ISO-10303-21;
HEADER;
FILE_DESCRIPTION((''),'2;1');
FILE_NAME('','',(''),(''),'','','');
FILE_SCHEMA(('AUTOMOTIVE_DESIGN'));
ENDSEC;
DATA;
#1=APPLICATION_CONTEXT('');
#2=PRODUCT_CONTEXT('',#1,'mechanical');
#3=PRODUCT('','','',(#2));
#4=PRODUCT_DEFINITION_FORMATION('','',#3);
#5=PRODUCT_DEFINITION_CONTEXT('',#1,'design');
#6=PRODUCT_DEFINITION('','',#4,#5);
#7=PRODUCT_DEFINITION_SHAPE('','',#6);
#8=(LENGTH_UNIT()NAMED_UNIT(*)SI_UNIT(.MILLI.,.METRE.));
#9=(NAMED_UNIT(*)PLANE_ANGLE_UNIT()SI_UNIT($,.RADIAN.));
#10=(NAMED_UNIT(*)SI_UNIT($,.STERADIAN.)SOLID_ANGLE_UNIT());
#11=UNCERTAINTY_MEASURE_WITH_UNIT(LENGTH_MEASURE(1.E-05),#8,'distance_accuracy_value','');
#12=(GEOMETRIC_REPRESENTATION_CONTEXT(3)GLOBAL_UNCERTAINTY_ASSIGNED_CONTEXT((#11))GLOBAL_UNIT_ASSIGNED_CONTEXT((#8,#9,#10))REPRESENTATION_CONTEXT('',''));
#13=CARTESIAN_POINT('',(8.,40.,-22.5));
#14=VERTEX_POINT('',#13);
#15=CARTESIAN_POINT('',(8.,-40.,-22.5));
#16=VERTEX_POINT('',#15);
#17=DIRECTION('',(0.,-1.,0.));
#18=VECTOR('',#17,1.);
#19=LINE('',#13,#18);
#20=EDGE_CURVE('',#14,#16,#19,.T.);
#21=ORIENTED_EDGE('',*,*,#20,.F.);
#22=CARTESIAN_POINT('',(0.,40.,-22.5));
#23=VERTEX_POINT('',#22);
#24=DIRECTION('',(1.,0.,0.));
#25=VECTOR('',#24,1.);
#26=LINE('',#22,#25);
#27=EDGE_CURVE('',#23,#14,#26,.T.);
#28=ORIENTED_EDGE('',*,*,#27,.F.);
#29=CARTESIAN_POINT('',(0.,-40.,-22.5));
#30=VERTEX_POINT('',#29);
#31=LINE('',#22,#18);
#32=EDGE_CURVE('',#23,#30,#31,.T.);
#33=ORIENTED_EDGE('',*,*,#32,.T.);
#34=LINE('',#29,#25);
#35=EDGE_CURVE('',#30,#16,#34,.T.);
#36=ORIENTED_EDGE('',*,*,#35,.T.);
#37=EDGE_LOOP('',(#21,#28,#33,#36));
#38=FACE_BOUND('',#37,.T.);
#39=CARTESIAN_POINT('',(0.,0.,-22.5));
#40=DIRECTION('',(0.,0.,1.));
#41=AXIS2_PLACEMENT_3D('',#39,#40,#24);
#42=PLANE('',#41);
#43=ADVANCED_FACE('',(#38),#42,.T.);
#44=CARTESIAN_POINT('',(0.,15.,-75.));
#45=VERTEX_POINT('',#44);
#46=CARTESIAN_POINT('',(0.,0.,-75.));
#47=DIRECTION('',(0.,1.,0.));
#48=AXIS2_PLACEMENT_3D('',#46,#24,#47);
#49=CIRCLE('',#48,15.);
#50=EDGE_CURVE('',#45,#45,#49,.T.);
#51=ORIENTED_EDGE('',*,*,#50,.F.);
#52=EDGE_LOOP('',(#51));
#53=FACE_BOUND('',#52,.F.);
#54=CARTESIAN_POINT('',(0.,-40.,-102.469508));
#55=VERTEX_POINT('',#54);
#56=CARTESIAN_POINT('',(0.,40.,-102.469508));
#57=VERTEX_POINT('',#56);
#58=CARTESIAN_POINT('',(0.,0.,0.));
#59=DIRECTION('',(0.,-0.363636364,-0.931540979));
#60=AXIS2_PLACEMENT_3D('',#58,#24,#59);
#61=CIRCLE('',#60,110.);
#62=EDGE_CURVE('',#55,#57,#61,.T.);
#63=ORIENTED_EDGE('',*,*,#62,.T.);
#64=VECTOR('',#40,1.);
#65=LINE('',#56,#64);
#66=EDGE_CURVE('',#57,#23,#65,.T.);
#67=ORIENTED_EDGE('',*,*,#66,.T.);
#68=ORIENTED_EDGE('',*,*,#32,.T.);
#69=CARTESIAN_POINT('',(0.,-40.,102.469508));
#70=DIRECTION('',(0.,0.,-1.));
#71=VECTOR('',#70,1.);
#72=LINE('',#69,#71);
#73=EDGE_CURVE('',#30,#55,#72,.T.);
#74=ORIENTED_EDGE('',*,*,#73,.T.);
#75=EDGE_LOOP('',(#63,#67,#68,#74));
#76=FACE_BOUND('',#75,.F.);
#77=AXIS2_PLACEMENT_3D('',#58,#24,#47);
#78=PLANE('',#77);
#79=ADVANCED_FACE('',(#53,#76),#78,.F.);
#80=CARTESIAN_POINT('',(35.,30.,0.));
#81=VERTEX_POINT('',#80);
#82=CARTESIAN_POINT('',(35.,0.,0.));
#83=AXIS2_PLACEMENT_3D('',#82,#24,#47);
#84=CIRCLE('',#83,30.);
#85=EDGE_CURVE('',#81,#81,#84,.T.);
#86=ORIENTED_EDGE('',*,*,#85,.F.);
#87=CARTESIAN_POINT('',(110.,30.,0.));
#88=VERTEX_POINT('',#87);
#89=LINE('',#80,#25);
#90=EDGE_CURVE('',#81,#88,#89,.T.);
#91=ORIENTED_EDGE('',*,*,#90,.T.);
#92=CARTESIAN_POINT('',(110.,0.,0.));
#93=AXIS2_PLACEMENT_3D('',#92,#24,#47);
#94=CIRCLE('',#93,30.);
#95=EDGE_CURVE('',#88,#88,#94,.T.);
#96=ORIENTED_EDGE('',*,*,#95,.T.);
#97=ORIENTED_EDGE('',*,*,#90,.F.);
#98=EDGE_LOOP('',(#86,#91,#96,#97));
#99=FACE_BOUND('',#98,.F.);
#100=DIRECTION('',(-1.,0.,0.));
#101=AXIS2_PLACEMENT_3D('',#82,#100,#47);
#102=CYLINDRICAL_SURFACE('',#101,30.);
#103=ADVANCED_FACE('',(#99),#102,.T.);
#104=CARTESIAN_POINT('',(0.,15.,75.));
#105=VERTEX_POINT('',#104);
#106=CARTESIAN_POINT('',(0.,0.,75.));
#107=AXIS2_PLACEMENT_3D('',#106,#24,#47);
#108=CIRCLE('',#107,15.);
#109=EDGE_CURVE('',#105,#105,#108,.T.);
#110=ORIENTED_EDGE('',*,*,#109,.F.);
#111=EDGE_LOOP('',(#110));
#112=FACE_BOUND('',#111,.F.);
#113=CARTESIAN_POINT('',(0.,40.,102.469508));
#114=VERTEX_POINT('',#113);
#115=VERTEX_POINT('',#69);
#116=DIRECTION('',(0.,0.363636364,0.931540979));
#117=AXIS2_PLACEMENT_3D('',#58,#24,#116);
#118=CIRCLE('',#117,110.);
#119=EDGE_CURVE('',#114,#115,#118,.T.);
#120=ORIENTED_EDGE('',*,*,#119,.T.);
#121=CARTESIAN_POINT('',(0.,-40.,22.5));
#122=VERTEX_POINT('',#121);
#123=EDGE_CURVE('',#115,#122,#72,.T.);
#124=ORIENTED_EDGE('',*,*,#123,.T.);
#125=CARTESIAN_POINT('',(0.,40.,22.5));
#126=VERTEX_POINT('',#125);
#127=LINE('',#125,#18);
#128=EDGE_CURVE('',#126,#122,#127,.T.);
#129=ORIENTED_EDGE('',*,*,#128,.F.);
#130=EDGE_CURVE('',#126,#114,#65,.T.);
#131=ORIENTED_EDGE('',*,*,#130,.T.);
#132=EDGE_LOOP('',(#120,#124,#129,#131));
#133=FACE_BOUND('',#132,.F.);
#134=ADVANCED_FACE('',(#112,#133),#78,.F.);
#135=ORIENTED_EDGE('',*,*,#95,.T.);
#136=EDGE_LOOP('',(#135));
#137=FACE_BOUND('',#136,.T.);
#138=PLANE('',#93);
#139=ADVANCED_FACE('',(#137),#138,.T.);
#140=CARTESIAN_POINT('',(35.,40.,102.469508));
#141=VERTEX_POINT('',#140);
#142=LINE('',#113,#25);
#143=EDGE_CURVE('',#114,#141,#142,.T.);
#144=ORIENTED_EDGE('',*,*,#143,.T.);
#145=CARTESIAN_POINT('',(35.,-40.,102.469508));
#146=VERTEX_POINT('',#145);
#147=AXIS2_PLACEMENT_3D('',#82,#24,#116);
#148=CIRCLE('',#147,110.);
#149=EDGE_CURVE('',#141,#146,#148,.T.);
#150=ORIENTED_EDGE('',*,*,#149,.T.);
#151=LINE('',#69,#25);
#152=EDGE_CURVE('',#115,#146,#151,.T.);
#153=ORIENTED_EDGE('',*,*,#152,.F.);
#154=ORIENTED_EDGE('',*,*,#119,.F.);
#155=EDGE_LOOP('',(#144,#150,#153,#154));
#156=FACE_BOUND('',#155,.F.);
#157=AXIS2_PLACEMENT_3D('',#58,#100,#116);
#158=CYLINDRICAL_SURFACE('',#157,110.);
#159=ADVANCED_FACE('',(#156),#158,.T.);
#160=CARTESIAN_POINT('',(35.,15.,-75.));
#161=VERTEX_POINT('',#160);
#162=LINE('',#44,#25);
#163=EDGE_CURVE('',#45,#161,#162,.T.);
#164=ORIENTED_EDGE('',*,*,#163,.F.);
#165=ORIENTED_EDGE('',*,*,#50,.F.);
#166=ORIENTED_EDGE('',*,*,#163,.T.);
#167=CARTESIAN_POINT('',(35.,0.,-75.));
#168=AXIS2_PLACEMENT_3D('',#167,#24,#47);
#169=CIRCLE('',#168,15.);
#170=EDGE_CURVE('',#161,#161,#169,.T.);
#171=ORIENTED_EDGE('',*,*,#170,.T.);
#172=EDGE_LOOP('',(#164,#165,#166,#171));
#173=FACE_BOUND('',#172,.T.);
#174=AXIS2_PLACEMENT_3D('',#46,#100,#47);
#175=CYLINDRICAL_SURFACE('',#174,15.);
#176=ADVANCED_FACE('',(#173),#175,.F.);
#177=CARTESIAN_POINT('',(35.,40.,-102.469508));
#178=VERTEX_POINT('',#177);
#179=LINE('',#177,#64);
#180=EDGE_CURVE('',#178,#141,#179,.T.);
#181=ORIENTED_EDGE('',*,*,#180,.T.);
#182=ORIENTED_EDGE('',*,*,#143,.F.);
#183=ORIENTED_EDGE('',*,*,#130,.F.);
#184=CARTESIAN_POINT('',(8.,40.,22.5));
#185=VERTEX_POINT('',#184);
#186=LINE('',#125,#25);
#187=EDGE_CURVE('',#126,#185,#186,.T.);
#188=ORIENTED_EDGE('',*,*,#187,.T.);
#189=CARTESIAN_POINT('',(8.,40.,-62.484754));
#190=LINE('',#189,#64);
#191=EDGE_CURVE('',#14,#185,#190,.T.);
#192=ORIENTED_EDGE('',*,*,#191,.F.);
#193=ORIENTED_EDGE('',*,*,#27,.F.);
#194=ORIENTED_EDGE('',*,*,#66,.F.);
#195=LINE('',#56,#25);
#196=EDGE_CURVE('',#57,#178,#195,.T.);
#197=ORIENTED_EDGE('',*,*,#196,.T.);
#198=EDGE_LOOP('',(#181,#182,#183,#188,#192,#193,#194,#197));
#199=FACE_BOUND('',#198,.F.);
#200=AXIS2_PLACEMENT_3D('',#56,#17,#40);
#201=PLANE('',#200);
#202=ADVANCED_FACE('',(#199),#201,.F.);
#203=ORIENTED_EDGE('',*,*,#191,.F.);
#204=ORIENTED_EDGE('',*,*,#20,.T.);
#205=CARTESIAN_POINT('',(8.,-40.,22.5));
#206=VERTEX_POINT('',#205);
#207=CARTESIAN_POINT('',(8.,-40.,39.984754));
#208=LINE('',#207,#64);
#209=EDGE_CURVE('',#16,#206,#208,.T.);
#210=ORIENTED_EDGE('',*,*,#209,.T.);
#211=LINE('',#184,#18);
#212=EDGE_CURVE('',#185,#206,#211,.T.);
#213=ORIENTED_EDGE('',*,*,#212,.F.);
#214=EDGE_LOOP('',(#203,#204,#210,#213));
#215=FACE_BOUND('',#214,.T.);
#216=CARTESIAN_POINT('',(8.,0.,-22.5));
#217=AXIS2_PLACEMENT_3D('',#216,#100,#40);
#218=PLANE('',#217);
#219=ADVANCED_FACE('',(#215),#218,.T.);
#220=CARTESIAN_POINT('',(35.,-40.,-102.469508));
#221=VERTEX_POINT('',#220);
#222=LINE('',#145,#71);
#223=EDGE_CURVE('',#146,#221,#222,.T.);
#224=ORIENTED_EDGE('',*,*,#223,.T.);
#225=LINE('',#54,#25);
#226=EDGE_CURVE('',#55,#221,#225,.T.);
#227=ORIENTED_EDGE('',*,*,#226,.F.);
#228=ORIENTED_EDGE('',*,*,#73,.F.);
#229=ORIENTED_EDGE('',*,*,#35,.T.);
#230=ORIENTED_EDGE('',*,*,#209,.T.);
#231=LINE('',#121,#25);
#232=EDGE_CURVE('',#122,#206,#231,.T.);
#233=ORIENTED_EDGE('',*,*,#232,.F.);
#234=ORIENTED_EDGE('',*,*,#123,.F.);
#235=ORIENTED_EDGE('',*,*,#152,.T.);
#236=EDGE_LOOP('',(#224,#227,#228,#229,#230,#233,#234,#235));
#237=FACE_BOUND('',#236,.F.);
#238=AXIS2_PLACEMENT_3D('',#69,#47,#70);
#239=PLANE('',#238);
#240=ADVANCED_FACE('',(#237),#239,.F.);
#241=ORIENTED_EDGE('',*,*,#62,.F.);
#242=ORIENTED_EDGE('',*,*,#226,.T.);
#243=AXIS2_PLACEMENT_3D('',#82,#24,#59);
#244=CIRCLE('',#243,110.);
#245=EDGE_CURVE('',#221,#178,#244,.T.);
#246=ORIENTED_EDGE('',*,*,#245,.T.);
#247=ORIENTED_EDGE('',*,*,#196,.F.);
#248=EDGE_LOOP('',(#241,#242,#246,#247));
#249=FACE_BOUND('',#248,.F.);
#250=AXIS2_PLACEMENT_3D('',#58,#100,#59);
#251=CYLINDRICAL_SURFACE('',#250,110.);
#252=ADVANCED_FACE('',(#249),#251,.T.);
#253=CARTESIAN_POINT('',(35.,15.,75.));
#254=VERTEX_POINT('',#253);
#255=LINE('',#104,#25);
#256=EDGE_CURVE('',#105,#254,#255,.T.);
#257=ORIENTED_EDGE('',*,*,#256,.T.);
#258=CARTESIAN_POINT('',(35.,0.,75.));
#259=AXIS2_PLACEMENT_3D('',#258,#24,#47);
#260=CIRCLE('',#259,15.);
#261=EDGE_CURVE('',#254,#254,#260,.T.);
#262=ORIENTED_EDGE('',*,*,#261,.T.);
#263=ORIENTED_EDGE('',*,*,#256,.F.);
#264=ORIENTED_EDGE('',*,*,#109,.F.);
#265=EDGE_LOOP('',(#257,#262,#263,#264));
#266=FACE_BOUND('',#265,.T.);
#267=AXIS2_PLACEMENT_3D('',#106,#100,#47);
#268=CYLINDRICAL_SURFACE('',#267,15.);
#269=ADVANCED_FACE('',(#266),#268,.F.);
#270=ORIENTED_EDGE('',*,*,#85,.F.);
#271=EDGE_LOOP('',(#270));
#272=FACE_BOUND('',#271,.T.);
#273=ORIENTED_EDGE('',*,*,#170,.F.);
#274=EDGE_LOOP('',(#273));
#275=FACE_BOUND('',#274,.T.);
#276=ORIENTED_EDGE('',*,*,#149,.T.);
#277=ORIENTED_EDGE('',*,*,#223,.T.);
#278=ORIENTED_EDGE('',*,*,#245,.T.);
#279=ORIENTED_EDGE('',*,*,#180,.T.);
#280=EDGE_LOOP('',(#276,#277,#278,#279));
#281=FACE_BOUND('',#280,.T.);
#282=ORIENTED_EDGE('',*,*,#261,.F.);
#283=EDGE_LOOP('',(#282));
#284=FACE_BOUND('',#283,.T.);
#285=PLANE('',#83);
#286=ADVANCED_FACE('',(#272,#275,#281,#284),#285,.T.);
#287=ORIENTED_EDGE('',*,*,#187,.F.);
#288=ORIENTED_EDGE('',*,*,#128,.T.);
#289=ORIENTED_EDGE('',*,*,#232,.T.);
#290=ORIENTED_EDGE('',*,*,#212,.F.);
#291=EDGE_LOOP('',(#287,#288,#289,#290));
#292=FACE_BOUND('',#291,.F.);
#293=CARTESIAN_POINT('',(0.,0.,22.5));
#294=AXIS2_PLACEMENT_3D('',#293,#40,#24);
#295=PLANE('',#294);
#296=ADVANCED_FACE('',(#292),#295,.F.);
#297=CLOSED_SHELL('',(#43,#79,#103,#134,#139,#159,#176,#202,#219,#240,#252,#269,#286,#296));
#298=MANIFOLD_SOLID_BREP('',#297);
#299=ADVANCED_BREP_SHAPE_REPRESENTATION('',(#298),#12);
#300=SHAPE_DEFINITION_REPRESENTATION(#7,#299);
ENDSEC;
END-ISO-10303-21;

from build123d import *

# Parameters (mm, degrees)
F0_R          = 15
F1_DEPTH      = 35
F2_R          = 30
F3_DEPTH      = 75
F4_W          = 8
F4_H          = 45
F5_DEPTH      = 40.001
F5_DEPTH_BACK = 40.001


with BuildPart() as f1:
    # F0 (on Right) → F1 (new body)
    with BuildSketch(Plane.YZ):
        with BuildLine():
            Line((-40, 102.4695076596), (-40, -102.4695076596))
            ThreePointArc((-40, -102.4695076596), (0, -110), (40, -102.4695076596))
            Line((40, -102.4695076596), (40, 102.4695076596))
            ThreePointArc((40, 102.4695076596), (0, 110), (-40, 102.4695076596))
        make_face()
        with Locations((0, -75)):
            Circle(F0_R, mode=Mode.SUBTRACT)
        with Locations((0, 75)):
            Circle(F0_R, mode=Mode.SUBTRACT)
    extrude(amount=F1_DEPTH)

    # F2 (on face) → F3 (join)
    with BuildSketch(Plane.YZ.offset(35)):
        Circle(F2_R)
    extrude(amount=F3_DEPTH)

    # F4 (on Front) → F5 (cut, two sides)
    with BuildSketch(Plane.XZ) as f5_sk:
        with Locations((4, 0)):
            Rectangle(F4_W, F4_H)
    extrude(amount=-F5_DEPTH, mode=Mode.SUBTRACT)
    extrude(f5_sk.sketch, amount=F5_DEPTH_BACK, mode=Mode.SUBTRACT)


solid = f1.part
